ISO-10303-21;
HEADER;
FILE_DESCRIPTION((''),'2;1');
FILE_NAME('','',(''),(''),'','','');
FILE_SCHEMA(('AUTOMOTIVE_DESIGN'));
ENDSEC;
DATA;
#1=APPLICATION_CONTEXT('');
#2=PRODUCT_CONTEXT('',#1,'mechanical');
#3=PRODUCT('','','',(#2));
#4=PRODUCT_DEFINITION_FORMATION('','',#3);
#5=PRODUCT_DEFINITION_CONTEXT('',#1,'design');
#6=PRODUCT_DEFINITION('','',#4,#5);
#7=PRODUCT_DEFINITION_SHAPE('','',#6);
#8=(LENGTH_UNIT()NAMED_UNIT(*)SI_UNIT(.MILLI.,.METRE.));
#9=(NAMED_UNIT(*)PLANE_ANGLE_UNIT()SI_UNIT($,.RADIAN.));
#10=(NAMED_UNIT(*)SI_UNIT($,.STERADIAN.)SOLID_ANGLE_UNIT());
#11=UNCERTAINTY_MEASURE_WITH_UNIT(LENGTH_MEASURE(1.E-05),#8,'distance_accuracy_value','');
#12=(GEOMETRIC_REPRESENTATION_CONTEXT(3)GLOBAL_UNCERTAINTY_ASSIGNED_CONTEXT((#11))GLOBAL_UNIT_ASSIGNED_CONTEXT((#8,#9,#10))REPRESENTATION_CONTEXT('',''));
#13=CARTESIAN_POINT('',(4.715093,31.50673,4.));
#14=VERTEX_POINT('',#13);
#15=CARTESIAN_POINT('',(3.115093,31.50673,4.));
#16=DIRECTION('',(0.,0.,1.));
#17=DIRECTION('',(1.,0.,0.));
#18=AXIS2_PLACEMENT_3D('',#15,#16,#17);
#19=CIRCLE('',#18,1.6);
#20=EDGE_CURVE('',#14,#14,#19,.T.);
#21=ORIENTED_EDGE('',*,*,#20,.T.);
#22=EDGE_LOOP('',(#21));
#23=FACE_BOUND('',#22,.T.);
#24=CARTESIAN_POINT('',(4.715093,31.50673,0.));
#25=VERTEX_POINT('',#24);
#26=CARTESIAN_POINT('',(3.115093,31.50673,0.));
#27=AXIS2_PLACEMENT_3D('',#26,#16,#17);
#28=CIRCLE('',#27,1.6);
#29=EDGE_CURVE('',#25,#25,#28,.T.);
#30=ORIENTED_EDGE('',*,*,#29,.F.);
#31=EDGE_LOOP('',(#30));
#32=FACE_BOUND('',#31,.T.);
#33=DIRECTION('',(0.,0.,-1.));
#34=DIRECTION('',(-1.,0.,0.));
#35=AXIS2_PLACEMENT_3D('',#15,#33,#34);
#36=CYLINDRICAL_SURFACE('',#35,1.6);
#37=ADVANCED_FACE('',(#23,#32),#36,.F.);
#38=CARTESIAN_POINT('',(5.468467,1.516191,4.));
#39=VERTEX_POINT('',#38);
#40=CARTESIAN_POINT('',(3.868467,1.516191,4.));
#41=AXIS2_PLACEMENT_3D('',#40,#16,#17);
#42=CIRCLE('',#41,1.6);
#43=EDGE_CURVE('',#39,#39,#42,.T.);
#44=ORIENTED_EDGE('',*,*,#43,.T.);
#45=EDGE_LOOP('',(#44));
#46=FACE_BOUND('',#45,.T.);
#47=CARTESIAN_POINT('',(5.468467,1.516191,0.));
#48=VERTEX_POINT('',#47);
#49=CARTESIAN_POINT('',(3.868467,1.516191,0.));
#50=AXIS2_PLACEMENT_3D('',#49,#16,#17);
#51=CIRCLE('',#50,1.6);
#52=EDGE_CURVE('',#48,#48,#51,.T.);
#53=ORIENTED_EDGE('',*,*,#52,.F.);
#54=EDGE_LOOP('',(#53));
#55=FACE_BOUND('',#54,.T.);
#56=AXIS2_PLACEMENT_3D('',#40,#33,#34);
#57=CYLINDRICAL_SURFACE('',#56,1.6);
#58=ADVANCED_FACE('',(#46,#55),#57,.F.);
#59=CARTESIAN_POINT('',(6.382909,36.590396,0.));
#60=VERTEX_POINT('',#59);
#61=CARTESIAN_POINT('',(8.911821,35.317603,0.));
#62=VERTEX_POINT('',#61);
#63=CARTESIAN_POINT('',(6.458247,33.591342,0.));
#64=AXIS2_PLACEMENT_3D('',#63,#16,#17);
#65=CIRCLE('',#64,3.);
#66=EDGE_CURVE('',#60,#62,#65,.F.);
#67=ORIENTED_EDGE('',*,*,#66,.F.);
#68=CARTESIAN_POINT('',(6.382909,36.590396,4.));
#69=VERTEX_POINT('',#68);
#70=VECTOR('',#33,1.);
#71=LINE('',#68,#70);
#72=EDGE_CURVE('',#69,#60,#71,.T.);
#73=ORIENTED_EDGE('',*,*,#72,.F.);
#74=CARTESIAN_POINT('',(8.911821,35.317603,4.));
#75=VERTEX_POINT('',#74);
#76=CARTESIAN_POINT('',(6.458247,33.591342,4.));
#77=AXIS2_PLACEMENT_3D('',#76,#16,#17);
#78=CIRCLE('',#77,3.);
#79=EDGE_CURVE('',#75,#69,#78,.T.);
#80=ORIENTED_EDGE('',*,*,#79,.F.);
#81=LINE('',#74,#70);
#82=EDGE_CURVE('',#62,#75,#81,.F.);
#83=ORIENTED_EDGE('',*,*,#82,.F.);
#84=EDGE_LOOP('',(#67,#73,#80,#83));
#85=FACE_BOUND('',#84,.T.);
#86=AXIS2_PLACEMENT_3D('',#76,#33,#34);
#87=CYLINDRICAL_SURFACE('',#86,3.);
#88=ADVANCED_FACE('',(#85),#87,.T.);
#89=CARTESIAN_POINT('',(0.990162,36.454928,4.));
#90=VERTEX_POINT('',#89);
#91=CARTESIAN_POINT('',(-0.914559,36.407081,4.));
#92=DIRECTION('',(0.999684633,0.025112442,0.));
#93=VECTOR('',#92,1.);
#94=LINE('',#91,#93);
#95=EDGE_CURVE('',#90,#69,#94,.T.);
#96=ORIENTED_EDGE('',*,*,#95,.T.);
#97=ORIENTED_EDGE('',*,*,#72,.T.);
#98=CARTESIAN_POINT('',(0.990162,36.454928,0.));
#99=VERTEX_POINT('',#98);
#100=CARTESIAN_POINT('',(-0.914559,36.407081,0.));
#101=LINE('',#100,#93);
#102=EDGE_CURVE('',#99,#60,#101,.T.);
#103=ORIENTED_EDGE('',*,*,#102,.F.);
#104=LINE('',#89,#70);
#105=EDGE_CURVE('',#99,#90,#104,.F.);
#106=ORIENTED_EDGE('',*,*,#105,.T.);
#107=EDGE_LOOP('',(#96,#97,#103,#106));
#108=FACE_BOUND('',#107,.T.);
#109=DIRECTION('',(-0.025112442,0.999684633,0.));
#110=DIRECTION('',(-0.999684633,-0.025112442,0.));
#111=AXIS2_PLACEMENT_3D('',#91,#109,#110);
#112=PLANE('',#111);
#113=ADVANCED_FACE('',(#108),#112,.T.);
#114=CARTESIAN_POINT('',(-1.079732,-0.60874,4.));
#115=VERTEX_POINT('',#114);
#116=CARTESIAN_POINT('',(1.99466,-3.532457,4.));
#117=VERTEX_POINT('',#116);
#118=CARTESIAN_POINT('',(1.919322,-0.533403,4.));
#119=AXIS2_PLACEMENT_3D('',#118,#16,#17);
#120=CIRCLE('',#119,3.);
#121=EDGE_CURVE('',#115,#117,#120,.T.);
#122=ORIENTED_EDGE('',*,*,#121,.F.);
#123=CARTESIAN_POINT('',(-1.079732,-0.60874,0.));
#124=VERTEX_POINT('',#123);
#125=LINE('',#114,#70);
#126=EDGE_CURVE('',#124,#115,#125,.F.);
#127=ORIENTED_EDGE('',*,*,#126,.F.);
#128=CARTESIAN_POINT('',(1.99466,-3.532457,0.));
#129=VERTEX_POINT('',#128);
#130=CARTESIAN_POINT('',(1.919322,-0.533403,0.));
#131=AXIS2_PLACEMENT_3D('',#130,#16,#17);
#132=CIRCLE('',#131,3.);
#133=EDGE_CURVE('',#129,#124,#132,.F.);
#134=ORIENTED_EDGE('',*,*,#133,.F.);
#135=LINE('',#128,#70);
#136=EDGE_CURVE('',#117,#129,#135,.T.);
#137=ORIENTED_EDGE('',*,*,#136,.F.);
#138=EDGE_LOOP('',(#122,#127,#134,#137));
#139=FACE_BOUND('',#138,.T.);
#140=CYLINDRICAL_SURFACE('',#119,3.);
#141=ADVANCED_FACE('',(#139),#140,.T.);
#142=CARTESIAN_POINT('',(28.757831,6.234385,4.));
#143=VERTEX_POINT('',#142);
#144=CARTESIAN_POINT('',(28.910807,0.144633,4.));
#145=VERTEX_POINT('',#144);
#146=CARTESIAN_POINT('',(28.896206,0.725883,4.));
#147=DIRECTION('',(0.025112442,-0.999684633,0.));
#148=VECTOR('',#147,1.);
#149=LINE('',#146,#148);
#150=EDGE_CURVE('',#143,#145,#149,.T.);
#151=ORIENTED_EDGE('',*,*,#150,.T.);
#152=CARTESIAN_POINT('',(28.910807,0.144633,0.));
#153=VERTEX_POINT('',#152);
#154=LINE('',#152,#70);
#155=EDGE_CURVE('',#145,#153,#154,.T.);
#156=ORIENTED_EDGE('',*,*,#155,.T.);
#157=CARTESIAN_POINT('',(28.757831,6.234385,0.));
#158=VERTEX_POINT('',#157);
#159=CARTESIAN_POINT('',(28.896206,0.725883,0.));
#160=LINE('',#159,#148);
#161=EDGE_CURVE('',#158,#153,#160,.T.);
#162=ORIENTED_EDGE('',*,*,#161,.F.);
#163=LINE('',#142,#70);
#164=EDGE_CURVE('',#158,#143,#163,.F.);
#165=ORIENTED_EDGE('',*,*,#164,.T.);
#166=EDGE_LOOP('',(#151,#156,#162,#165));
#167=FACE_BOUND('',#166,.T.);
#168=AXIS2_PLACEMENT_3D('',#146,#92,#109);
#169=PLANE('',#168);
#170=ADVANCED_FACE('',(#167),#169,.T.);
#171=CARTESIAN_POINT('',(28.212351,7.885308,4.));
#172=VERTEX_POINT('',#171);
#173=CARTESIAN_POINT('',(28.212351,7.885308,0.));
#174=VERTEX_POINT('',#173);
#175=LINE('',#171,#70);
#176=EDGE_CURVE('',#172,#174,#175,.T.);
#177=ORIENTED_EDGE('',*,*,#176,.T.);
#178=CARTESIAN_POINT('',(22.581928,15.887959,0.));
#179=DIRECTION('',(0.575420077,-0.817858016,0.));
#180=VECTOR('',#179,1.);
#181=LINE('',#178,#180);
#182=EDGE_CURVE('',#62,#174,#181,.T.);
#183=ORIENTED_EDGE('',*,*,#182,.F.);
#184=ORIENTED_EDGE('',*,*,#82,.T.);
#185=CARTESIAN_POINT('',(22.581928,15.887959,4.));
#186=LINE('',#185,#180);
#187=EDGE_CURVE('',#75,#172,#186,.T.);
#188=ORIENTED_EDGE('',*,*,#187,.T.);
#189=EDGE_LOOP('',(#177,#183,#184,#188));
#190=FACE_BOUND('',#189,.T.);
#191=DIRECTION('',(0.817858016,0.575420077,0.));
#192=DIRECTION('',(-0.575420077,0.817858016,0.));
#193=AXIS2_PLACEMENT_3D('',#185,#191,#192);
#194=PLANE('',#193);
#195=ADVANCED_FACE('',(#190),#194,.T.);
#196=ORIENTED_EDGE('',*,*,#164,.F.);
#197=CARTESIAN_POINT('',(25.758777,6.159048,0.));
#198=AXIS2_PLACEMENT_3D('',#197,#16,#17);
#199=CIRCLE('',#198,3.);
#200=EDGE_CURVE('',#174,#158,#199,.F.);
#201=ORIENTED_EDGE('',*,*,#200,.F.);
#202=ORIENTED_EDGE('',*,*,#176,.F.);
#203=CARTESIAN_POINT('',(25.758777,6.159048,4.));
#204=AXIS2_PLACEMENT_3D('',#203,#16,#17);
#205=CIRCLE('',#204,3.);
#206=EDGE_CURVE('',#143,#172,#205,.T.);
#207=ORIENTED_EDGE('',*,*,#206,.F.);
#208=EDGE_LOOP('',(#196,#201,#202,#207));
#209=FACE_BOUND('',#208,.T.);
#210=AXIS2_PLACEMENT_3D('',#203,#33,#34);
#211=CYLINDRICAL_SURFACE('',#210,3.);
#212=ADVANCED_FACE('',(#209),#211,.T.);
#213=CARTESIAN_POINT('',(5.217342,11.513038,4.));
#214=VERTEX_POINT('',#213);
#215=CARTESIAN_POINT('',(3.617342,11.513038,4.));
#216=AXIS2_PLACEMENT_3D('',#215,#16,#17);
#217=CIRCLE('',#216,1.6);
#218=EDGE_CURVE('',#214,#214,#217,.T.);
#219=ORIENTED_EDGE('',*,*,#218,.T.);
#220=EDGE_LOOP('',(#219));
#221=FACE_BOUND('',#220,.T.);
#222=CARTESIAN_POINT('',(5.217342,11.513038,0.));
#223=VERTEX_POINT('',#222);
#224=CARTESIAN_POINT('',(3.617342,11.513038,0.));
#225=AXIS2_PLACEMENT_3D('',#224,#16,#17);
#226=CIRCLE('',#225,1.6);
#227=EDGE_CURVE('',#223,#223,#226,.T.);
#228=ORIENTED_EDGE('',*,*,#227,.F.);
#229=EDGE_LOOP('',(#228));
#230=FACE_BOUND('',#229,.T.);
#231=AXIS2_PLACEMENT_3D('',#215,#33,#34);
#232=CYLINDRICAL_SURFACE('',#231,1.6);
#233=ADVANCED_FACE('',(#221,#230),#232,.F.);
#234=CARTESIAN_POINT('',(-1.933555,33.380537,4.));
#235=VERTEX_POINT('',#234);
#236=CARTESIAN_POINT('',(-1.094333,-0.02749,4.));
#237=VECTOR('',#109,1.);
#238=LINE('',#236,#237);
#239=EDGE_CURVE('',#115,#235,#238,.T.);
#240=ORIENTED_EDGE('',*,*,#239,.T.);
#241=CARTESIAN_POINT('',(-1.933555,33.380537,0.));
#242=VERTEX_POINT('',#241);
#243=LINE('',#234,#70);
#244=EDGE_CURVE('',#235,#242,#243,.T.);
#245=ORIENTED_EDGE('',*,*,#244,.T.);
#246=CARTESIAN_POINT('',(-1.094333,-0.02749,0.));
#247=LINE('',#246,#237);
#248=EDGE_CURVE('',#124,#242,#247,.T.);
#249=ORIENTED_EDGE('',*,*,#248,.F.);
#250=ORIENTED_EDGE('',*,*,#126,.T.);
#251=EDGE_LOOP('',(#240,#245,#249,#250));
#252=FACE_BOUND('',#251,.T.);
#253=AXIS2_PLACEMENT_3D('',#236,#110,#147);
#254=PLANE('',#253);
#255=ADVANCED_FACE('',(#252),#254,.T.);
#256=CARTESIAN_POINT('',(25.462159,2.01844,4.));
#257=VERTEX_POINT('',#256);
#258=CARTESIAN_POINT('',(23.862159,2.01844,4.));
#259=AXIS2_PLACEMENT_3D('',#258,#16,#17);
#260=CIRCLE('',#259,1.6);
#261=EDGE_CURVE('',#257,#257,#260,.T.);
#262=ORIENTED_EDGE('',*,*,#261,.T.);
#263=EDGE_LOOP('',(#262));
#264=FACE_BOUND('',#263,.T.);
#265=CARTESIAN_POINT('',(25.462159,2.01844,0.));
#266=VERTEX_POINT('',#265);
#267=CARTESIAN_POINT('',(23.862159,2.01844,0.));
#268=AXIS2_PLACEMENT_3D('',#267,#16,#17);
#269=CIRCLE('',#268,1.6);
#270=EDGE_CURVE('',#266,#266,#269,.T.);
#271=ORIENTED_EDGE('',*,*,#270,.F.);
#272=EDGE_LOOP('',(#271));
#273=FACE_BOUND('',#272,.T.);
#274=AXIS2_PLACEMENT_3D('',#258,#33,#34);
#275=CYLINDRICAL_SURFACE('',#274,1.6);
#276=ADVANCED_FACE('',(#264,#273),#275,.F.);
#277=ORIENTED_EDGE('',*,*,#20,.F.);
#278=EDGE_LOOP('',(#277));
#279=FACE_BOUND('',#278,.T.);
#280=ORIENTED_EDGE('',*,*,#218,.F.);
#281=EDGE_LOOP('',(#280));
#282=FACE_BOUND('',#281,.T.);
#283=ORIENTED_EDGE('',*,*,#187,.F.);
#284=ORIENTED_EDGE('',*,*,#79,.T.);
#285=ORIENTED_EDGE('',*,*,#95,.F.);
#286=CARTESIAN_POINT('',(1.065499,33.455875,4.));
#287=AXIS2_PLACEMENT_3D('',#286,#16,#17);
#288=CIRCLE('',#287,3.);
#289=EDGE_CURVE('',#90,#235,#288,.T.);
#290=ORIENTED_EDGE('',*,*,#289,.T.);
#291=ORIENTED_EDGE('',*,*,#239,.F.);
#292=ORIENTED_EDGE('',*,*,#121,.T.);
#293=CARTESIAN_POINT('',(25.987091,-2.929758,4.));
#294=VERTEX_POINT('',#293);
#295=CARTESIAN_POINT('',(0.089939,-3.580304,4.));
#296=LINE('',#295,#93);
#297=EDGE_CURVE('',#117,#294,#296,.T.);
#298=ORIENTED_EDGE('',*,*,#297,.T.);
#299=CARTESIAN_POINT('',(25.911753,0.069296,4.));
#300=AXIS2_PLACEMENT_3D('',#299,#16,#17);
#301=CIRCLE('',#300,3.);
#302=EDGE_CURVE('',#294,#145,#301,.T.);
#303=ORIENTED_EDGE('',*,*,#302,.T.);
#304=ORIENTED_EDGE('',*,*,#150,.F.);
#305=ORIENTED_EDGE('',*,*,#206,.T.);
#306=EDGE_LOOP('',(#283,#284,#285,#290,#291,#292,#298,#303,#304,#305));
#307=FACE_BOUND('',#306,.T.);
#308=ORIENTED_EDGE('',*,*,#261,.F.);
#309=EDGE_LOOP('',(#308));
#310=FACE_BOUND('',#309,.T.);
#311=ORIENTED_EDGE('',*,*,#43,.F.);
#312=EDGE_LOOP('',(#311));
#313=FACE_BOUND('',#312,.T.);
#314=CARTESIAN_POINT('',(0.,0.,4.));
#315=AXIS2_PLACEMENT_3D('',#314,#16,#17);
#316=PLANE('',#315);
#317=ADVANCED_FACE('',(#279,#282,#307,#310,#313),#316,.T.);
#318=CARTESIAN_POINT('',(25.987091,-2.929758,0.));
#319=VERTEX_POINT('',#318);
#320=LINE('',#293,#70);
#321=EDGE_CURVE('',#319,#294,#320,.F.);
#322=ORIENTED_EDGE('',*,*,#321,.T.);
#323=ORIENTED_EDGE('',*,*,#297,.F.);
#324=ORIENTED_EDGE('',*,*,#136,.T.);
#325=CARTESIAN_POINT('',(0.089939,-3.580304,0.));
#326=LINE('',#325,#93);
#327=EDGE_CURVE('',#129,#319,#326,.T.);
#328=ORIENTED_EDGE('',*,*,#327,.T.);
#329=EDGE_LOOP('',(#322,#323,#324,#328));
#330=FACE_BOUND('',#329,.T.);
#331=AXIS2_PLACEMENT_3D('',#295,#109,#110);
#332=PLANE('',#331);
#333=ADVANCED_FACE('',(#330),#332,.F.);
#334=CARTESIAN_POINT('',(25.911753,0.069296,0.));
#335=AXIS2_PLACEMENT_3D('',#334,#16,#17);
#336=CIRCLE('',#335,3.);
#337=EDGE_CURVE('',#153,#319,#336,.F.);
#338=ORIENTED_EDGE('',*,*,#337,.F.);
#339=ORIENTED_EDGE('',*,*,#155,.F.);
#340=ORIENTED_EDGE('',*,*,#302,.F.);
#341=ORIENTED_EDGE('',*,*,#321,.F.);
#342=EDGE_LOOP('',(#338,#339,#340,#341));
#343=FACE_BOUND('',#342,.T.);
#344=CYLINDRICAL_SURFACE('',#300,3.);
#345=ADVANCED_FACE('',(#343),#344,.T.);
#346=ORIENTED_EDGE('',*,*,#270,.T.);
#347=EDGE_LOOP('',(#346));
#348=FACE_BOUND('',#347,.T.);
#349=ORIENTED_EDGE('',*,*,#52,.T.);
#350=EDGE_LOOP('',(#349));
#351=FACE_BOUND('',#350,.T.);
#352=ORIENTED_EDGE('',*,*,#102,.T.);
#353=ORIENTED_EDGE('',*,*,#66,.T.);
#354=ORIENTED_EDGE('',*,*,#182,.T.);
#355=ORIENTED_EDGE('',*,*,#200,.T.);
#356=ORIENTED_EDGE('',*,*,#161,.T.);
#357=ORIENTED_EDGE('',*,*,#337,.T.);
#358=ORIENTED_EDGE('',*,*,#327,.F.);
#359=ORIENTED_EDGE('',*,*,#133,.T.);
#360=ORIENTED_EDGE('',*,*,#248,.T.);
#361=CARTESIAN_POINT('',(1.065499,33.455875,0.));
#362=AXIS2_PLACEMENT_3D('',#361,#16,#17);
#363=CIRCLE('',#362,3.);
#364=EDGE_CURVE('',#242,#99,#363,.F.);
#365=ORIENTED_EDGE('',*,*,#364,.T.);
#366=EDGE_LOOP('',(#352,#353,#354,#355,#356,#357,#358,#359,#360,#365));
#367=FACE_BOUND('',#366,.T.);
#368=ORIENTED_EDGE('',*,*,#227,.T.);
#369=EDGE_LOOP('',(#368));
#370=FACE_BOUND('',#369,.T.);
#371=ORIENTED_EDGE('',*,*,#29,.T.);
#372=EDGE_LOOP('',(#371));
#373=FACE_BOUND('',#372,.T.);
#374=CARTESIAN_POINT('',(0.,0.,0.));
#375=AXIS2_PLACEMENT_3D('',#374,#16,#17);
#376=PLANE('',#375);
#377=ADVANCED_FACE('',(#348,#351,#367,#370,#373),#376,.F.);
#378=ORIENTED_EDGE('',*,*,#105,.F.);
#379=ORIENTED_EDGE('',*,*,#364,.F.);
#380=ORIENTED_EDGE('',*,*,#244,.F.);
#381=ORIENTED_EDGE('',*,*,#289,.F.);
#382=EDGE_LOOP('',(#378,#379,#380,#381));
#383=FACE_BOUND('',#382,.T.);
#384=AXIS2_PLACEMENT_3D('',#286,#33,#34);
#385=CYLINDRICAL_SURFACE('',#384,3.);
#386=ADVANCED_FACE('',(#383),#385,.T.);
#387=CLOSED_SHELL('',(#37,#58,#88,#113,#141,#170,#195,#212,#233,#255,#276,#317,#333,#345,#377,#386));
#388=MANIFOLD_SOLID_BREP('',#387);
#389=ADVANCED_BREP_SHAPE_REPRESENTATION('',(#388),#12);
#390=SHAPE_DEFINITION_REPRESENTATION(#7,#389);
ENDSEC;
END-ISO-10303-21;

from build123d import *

# Parameters (mm, degrees)
SKETCH1_R           = 1.6
BOSS_EXTRUDE1_DEPTH = 4
FILLET2_R           = 3


with BuildPart() as part:
    # Sketch1 → Boss-Extrude1 (new body)
    # profile 1 of 3: a face of its own
    with BuildSketch(Plane.XY):
        Polygon((-2.008891974, 36.379591132), (7.987954355, 36.630715556), (8.741327627, 6.640176569), (-1.255518702, 6.389052145), align=None)
        with Locations((3.617342251, 11.513037521)):
            Circle(SKETCH1_R, mode=Mode.SUBTRACT)
        with Locations((3.115093403, 31.506730179)):
            Circle(SKETCH1_R, mode=Mode.SUBTRACT)
    # profile 2 of 3: a face of its own
    with BuildSketch(Plane.XY):
        Polygon((28.735020285, 7.142425417), (7.987954355, 36.630715556), (8.741327627, 6.640176569), align=None)
    # profile 3 of 3: a face of its own
    with BuildSketch(Plane.XY):
        Polygon((28.986144709, -2.854420912), (28.735020285, 7.142425417), (8.741327627, 6.640176569), (-1.255518702, 6.389052145), (-1.004394278, -3.607794184), align=None)
        with Locations((3.868466675, 1.516191192)):
            Circle(SKETCH1_R, mode=Mode.SUBTRACT)
        with Locations((23.862159332, 2.018440041)):
            Circle(SKETCH1_R, mode=Mode.SUBTRACT)
    extrude(amount=BOSS_EXTRUDE1_DEPTH)

    # Fillet2
    fillet2_edges = [part.edges().sort_by_distance(p)[0] for p in [
        (28.986144709, -2.854420912, 2),
        (-1.004394278, -3.607794184, 2),
        (-2.008891974, 36.379591132, 2),
        (7.987954355, 36.630715556, 2),
        (28.735020285, 7.142425417, 2),
    ]]
    fillet(fillet2_edges, radius=FILLET2_R)


solid = part.part
